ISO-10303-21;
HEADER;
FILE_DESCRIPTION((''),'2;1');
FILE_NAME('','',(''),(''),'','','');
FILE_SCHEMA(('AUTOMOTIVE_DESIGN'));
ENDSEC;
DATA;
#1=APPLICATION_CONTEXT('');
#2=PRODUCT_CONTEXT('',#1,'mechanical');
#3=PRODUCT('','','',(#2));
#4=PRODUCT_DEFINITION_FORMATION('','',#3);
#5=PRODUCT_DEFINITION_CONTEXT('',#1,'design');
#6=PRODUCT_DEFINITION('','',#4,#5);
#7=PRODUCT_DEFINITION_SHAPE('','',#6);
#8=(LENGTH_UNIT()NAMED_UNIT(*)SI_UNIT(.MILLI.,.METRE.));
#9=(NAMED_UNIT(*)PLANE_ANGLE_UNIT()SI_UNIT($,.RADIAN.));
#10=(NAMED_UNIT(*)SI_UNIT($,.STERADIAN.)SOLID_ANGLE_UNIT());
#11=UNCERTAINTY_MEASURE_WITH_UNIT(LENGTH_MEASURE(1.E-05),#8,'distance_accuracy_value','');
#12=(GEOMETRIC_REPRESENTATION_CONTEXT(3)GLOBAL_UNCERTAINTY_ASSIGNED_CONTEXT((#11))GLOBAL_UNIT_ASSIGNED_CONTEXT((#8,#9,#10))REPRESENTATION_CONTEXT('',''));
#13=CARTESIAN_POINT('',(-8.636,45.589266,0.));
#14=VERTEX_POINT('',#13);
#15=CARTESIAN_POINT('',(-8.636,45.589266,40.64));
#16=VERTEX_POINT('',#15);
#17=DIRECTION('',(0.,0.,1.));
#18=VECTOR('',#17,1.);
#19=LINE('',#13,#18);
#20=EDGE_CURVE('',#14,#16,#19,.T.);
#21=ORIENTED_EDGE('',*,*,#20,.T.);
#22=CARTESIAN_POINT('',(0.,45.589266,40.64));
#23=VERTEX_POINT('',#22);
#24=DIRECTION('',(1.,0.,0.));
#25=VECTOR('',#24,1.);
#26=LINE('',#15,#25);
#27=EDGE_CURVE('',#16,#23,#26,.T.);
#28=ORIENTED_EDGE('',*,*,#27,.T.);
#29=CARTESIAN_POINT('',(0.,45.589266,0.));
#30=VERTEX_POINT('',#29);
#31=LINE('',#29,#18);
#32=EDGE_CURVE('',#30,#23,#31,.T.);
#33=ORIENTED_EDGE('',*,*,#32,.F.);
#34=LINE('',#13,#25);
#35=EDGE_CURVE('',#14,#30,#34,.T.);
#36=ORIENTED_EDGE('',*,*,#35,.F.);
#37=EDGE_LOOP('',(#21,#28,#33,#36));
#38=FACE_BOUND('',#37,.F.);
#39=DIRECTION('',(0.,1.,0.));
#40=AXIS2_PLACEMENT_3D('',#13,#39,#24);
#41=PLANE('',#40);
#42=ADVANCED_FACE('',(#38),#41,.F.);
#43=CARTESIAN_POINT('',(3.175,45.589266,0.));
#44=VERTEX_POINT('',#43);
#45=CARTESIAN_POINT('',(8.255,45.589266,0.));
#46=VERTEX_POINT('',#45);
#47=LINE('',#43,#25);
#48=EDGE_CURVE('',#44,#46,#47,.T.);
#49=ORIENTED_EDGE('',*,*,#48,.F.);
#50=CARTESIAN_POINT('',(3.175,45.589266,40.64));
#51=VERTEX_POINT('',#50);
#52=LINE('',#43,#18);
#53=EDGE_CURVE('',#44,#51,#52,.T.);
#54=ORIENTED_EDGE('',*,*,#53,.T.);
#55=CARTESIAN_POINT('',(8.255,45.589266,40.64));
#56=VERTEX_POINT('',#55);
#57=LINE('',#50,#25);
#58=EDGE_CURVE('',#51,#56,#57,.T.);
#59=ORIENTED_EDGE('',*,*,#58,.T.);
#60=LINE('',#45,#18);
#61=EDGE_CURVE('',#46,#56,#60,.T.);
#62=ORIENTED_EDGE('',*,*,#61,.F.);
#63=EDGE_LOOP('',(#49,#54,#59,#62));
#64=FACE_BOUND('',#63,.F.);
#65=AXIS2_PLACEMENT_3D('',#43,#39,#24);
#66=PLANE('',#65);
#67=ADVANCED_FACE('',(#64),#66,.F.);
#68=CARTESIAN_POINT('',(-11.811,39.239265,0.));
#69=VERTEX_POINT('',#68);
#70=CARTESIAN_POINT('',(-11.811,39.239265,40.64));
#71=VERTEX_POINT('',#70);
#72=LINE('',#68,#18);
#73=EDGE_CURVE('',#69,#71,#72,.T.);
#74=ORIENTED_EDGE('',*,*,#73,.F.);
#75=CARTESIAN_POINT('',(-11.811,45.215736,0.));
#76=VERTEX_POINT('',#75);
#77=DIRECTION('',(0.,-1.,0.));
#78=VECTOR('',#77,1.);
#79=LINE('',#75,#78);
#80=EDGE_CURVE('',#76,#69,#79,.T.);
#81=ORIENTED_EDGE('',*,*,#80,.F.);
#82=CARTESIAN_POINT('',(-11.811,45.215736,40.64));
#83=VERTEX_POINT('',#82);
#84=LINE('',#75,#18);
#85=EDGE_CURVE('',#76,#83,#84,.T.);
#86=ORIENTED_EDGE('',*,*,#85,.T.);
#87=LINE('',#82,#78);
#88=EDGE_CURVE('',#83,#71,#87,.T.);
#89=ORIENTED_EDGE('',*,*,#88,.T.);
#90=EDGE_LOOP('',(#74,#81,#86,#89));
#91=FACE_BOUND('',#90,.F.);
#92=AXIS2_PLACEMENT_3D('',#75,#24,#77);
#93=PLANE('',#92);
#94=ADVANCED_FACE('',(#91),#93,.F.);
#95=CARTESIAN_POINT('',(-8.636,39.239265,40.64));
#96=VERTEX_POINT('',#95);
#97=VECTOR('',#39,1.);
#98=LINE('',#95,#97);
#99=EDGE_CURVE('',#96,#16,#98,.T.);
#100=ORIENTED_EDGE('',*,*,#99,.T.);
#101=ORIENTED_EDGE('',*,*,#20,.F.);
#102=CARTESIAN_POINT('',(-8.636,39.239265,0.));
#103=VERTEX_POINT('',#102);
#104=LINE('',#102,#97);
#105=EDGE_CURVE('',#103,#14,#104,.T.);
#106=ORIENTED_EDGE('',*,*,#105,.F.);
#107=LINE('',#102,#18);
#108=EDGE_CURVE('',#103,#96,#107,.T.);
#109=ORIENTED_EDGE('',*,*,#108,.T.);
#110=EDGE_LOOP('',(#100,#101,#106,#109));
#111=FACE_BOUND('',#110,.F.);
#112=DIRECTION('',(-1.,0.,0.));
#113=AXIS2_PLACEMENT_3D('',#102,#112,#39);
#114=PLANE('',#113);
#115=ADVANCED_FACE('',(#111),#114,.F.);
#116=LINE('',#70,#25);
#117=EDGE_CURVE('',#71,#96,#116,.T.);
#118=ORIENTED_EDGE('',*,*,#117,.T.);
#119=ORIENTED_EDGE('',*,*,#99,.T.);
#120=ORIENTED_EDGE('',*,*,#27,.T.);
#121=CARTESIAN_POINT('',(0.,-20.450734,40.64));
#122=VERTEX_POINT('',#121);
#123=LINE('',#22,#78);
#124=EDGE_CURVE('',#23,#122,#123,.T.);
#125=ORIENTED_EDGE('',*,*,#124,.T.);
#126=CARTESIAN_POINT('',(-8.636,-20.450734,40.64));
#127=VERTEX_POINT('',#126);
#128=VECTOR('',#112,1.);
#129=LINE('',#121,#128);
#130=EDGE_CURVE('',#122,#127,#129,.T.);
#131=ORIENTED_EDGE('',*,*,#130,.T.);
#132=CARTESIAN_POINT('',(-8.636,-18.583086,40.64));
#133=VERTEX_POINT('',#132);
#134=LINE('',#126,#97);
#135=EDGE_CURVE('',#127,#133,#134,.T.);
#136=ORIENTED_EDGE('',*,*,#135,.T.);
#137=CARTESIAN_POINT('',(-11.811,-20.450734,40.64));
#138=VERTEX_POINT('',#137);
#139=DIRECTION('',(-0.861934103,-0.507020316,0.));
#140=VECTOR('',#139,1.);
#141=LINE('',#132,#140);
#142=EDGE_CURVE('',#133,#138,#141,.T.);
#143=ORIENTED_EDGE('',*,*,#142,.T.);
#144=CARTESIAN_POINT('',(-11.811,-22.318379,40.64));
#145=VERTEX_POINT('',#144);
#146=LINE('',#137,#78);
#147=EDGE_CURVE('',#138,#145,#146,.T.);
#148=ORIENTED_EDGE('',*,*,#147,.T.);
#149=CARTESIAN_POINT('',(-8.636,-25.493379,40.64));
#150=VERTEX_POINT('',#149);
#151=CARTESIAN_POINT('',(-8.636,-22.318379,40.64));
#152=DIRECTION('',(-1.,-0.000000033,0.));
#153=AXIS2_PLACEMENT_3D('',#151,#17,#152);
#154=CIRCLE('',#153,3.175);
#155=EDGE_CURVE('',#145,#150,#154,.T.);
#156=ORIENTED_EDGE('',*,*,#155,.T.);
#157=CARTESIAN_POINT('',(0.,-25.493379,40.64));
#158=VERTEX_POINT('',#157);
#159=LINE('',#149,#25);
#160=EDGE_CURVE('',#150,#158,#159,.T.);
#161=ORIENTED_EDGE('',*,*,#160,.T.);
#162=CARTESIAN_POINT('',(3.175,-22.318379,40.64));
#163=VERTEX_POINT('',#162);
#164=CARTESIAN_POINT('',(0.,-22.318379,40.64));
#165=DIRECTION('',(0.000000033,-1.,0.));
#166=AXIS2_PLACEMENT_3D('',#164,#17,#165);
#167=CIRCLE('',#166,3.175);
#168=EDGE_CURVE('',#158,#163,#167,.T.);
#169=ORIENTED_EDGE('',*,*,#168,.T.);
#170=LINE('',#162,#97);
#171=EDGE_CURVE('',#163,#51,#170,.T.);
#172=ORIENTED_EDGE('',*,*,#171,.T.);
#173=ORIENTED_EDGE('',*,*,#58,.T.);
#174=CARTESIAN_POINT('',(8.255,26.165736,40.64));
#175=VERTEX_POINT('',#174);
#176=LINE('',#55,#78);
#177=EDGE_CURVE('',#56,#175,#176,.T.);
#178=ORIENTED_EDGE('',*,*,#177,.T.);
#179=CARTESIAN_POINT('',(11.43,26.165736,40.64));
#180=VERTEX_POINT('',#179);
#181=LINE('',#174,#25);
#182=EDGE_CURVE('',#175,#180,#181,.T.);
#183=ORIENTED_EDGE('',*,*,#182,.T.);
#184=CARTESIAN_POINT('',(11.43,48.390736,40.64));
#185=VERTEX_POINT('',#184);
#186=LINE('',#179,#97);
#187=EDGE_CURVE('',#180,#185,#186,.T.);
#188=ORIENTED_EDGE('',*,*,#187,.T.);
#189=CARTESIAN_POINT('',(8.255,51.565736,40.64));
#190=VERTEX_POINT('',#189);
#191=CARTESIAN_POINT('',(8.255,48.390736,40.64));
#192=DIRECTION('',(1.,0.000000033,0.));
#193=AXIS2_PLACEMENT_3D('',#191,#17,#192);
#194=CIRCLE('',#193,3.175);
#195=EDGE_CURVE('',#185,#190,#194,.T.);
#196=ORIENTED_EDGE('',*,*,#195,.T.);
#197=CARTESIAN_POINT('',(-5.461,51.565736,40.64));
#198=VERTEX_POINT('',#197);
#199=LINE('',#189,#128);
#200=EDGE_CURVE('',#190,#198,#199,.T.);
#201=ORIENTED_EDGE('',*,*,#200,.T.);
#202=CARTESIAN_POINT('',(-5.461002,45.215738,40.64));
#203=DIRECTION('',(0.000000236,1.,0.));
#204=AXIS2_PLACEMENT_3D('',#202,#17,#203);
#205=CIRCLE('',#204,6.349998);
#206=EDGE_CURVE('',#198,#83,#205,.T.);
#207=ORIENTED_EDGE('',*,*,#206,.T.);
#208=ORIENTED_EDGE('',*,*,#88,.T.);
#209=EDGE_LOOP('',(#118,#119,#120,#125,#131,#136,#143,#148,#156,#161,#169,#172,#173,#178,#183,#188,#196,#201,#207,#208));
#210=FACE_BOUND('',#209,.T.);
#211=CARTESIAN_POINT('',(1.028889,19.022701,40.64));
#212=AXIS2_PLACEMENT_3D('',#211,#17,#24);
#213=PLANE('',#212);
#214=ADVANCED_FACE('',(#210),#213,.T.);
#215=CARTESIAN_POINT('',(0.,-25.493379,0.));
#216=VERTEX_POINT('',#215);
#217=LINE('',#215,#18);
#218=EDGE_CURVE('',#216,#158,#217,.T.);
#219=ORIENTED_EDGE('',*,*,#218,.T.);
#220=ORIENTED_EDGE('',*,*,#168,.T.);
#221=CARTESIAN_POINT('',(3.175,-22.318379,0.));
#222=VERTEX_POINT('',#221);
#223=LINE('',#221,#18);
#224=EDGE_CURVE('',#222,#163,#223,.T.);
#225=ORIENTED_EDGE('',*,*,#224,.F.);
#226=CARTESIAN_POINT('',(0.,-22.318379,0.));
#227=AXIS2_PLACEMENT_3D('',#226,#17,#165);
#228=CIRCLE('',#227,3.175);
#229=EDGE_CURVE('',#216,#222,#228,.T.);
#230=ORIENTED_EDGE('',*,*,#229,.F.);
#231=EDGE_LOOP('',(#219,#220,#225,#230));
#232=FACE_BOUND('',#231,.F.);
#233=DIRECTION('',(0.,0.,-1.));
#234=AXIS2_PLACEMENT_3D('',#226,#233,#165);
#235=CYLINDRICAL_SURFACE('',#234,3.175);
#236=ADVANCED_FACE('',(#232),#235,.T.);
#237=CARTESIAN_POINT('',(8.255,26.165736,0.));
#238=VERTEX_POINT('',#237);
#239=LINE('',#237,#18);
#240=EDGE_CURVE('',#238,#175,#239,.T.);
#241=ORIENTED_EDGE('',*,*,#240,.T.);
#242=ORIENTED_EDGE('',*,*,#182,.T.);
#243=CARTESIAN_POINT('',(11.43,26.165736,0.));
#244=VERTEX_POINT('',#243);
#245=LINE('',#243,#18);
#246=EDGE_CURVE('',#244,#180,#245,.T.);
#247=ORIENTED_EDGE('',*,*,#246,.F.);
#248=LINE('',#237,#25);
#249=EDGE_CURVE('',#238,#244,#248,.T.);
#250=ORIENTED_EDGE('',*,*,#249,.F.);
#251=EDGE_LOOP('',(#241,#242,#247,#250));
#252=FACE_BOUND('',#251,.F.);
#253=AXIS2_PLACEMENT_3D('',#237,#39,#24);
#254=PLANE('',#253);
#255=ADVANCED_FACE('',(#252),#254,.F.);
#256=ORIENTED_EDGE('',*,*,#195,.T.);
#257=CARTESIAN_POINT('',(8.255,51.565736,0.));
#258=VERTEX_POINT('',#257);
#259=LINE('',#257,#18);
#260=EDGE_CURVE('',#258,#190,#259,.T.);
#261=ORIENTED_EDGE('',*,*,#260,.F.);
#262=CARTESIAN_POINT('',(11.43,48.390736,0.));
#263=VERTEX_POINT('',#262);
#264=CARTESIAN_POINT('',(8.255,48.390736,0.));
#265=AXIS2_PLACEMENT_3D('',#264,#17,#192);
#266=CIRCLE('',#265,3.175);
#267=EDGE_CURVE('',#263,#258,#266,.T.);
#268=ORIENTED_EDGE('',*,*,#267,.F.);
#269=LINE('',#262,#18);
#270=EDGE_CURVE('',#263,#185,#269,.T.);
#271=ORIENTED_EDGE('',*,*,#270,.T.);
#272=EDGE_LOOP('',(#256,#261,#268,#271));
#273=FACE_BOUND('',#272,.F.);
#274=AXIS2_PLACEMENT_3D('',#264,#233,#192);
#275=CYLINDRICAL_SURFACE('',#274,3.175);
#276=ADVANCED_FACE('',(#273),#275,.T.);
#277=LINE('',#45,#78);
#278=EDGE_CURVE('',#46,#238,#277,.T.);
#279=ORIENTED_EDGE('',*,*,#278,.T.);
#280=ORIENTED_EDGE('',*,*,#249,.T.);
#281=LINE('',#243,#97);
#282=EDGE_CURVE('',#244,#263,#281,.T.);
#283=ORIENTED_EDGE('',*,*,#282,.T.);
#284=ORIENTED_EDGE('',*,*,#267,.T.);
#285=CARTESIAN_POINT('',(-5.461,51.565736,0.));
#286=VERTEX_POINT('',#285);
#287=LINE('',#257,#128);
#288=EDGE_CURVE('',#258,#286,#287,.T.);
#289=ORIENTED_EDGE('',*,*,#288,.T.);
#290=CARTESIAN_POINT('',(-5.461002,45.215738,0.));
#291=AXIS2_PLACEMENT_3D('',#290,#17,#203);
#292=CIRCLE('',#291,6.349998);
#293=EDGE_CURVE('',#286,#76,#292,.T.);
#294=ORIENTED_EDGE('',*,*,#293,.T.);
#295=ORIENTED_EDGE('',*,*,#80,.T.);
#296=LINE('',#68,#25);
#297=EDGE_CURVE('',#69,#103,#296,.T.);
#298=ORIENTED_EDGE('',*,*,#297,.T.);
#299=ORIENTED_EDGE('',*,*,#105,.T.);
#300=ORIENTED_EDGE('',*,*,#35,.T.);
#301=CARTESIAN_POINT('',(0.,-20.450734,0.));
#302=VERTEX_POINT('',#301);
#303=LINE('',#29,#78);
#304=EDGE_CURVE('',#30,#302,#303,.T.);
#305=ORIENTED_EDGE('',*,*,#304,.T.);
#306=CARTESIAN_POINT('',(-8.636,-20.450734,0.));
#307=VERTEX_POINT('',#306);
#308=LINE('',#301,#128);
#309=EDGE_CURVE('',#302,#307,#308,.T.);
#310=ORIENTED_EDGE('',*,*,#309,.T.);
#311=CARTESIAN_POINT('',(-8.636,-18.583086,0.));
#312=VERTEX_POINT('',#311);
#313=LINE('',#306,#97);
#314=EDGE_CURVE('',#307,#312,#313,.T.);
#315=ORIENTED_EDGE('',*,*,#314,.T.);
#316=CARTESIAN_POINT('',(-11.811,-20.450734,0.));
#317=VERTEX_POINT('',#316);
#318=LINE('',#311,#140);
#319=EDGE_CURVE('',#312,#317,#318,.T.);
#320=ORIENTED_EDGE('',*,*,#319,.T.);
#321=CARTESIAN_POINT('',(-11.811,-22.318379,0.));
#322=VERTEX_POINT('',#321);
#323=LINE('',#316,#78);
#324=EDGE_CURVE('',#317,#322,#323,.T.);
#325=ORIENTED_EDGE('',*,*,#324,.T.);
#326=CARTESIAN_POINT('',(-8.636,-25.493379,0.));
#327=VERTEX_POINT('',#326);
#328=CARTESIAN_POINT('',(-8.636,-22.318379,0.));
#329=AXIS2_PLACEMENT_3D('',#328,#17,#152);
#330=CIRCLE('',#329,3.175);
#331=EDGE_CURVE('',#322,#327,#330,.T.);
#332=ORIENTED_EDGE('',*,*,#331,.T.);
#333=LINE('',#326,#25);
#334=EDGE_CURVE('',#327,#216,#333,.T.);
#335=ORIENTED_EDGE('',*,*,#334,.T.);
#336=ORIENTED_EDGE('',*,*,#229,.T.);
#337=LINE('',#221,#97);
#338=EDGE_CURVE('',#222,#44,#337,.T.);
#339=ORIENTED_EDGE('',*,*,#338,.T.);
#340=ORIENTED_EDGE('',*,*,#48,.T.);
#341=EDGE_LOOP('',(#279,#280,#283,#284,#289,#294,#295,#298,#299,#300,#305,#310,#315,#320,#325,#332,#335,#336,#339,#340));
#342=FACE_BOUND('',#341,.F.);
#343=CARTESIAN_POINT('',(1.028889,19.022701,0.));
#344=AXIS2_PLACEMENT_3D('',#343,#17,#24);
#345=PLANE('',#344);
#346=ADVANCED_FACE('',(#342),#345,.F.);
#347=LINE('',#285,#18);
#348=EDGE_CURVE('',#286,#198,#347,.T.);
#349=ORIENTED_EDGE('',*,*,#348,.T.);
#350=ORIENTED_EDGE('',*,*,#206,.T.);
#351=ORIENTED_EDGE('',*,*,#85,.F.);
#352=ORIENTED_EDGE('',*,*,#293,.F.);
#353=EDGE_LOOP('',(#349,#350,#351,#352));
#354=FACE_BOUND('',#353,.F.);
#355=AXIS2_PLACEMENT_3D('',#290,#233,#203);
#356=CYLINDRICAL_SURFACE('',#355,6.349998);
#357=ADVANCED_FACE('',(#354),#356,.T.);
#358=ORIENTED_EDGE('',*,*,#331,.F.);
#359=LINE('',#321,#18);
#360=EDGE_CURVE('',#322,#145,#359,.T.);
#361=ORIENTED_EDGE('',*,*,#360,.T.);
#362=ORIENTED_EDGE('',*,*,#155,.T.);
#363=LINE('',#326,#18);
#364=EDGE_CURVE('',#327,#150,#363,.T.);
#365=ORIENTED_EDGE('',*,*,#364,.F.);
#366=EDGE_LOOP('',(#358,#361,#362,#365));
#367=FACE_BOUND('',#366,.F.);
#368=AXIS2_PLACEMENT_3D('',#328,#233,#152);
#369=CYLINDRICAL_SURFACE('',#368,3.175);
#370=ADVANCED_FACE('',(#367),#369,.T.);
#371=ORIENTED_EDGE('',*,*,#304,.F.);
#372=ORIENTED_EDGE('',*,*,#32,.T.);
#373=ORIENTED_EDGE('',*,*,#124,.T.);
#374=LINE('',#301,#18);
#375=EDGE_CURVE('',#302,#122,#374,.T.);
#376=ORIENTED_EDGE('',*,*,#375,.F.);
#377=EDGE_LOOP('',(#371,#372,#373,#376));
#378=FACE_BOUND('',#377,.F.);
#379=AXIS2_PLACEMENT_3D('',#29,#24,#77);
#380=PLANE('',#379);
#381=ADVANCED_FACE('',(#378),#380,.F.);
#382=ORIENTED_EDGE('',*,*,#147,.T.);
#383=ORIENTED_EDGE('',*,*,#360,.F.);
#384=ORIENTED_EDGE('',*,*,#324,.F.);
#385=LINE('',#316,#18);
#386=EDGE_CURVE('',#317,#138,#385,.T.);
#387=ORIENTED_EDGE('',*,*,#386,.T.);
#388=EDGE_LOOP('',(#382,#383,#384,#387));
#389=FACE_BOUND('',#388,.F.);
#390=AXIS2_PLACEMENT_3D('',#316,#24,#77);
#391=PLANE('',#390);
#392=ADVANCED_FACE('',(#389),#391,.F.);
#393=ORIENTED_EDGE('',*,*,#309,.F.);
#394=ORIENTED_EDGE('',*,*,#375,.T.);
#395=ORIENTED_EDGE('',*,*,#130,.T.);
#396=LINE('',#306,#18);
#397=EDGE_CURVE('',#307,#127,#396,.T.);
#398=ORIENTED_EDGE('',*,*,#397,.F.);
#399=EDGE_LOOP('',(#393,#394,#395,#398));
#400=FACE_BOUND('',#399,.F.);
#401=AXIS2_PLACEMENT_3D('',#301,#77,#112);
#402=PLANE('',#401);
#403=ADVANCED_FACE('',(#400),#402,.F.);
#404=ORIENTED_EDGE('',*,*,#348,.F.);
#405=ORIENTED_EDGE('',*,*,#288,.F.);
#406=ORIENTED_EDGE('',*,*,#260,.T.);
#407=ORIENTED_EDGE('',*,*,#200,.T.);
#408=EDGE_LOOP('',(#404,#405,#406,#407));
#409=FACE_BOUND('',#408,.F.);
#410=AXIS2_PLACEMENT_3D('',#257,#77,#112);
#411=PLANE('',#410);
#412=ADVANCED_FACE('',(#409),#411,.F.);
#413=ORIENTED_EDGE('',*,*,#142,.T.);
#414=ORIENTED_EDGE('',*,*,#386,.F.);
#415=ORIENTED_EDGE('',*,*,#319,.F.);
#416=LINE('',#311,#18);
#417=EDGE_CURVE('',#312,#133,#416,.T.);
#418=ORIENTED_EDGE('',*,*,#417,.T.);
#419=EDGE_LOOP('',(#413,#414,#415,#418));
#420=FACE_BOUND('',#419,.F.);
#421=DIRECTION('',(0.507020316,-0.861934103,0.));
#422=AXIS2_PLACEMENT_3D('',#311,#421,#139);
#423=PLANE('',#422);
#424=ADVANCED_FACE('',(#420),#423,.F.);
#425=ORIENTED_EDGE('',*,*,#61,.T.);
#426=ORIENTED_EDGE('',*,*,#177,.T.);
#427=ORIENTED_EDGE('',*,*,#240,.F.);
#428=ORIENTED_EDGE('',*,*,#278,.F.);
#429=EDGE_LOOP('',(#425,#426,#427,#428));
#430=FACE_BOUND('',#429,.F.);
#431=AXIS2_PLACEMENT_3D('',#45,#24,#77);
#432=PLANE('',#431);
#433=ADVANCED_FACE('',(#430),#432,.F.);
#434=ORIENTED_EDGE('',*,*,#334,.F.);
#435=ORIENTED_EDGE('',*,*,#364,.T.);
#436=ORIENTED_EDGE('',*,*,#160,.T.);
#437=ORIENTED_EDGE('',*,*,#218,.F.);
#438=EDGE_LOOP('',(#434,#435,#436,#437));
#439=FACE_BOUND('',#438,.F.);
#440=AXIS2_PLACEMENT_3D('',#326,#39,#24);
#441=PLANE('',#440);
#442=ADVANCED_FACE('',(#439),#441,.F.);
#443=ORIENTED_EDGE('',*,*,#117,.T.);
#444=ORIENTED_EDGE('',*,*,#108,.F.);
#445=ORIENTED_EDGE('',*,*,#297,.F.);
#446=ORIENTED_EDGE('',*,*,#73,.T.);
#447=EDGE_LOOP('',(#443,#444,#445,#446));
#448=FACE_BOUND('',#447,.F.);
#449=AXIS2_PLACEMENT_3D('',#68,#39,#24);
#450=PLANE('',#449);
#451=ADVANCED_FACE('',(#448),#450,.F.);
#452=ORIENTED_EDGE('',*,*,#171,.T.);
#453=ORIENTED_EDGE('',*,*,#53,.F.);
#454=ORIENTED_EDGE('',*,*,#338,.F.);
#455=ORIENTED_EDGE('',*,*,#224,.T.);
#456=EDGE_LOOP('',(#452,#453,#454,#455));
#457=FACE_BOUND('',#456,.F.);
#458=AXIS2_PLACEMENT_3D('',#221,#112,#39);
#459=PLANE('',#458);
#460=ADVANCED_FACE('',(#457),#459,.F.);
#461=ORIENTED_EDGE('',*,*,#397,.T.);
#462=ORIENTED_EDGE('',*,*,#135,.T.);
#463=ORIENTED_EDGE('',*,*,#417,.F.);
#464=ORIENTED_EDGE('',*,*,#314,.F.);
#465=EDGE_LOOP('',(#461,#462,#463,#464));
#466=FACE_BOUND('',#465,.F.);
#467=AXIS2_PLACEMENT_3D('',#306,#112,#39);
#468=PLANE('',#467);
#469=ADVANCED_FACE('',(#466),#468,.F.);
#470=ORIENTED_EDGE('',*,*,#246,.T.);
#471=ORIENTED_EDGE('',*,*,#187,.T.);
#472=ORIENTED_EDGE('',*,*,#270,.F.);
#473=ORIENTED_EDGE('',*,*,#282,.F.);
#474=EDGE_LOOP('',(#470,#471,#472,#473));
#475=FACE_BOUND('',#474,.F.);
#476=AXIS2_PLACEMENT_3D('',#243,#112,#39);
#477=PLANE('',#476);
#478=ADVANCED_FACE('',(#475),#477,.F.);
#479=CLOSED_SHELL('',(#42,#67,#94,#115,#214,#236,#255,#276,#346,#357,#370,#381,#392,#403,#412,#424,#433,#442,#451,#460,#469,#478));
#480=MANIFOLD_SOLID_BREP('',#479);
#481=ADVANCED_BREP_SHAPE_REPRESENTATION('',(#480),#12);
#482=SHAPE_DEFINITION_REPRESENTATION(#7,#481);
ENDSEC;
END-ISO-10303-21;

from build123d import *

# Parameters (mm, degrees)
F1_DEPTH = 40.64


with BuildPart() as f1:
    # F0 (on Top) → F1 (new body)
    with BuildSketch(Plane.XY):
        with BuildLine():
            Line((0, 45.589266), (0, -20.450734))
            Line((0, -20.450734), (-8.636, -20.450734))
            Line((-8.636, -20.450734), (-8.636, -18.583086))
            Line((-8.636, -18.583086), (-11.811, -20.450734))
            Line((-11.811, -20.450734), (-11.811, -22.318379))
            ThreePointArc((-11.811, -22.318379), (-10.881064, -24.563443), (-8.636, -25.493379))
            Line((-8.636, -25.493379), (0, -25.493379))
            ThreePointArc((0, -25.493379), (2.245064, -24.563443), (3.175, -22.318379))
            Line((3.175, -22.318379), (3.175, -20.450734))
            Line((3.175, -20.450734), (3.175, 45.589266))
            Line((3.175, 45.589266), (8.255, 45.589266))
            Line((8.255, 45.589266), (8.255, 26.165736))
            Line((8.255, 26.165736), (11.43, 26.165736))
            Line((11.43, 26.165736), (11.43, 48.390736))
            ThreePointArc((11.43, 48.390736), (10.500064, 50.6358), (8.255, 51.565736))
            Line((8.255, 51.565736), (3.175, 51.565736))
            Line((3.175, 51.565736), (0, 51.565736))
            Line((0, 51.565736), (-5.461, 51.565736))
            ThreePointArc((-5.461, 51.565736), (-9.951128, 49.705865), (-11.811, 45.215736))
            Line((-11.811, 45.215736), (-11.811, 39.239265))
            Line((-11.811, 39.239265), (-8.636, 39.239265))
            Line((-8.636, 39.239265), (-8.636, 45.589266))
            Line((-8.636, 45.589266), (0, 45.589266))
        make_face()
    extrude(amount=F1_DEPTH)


solid = f1.part
